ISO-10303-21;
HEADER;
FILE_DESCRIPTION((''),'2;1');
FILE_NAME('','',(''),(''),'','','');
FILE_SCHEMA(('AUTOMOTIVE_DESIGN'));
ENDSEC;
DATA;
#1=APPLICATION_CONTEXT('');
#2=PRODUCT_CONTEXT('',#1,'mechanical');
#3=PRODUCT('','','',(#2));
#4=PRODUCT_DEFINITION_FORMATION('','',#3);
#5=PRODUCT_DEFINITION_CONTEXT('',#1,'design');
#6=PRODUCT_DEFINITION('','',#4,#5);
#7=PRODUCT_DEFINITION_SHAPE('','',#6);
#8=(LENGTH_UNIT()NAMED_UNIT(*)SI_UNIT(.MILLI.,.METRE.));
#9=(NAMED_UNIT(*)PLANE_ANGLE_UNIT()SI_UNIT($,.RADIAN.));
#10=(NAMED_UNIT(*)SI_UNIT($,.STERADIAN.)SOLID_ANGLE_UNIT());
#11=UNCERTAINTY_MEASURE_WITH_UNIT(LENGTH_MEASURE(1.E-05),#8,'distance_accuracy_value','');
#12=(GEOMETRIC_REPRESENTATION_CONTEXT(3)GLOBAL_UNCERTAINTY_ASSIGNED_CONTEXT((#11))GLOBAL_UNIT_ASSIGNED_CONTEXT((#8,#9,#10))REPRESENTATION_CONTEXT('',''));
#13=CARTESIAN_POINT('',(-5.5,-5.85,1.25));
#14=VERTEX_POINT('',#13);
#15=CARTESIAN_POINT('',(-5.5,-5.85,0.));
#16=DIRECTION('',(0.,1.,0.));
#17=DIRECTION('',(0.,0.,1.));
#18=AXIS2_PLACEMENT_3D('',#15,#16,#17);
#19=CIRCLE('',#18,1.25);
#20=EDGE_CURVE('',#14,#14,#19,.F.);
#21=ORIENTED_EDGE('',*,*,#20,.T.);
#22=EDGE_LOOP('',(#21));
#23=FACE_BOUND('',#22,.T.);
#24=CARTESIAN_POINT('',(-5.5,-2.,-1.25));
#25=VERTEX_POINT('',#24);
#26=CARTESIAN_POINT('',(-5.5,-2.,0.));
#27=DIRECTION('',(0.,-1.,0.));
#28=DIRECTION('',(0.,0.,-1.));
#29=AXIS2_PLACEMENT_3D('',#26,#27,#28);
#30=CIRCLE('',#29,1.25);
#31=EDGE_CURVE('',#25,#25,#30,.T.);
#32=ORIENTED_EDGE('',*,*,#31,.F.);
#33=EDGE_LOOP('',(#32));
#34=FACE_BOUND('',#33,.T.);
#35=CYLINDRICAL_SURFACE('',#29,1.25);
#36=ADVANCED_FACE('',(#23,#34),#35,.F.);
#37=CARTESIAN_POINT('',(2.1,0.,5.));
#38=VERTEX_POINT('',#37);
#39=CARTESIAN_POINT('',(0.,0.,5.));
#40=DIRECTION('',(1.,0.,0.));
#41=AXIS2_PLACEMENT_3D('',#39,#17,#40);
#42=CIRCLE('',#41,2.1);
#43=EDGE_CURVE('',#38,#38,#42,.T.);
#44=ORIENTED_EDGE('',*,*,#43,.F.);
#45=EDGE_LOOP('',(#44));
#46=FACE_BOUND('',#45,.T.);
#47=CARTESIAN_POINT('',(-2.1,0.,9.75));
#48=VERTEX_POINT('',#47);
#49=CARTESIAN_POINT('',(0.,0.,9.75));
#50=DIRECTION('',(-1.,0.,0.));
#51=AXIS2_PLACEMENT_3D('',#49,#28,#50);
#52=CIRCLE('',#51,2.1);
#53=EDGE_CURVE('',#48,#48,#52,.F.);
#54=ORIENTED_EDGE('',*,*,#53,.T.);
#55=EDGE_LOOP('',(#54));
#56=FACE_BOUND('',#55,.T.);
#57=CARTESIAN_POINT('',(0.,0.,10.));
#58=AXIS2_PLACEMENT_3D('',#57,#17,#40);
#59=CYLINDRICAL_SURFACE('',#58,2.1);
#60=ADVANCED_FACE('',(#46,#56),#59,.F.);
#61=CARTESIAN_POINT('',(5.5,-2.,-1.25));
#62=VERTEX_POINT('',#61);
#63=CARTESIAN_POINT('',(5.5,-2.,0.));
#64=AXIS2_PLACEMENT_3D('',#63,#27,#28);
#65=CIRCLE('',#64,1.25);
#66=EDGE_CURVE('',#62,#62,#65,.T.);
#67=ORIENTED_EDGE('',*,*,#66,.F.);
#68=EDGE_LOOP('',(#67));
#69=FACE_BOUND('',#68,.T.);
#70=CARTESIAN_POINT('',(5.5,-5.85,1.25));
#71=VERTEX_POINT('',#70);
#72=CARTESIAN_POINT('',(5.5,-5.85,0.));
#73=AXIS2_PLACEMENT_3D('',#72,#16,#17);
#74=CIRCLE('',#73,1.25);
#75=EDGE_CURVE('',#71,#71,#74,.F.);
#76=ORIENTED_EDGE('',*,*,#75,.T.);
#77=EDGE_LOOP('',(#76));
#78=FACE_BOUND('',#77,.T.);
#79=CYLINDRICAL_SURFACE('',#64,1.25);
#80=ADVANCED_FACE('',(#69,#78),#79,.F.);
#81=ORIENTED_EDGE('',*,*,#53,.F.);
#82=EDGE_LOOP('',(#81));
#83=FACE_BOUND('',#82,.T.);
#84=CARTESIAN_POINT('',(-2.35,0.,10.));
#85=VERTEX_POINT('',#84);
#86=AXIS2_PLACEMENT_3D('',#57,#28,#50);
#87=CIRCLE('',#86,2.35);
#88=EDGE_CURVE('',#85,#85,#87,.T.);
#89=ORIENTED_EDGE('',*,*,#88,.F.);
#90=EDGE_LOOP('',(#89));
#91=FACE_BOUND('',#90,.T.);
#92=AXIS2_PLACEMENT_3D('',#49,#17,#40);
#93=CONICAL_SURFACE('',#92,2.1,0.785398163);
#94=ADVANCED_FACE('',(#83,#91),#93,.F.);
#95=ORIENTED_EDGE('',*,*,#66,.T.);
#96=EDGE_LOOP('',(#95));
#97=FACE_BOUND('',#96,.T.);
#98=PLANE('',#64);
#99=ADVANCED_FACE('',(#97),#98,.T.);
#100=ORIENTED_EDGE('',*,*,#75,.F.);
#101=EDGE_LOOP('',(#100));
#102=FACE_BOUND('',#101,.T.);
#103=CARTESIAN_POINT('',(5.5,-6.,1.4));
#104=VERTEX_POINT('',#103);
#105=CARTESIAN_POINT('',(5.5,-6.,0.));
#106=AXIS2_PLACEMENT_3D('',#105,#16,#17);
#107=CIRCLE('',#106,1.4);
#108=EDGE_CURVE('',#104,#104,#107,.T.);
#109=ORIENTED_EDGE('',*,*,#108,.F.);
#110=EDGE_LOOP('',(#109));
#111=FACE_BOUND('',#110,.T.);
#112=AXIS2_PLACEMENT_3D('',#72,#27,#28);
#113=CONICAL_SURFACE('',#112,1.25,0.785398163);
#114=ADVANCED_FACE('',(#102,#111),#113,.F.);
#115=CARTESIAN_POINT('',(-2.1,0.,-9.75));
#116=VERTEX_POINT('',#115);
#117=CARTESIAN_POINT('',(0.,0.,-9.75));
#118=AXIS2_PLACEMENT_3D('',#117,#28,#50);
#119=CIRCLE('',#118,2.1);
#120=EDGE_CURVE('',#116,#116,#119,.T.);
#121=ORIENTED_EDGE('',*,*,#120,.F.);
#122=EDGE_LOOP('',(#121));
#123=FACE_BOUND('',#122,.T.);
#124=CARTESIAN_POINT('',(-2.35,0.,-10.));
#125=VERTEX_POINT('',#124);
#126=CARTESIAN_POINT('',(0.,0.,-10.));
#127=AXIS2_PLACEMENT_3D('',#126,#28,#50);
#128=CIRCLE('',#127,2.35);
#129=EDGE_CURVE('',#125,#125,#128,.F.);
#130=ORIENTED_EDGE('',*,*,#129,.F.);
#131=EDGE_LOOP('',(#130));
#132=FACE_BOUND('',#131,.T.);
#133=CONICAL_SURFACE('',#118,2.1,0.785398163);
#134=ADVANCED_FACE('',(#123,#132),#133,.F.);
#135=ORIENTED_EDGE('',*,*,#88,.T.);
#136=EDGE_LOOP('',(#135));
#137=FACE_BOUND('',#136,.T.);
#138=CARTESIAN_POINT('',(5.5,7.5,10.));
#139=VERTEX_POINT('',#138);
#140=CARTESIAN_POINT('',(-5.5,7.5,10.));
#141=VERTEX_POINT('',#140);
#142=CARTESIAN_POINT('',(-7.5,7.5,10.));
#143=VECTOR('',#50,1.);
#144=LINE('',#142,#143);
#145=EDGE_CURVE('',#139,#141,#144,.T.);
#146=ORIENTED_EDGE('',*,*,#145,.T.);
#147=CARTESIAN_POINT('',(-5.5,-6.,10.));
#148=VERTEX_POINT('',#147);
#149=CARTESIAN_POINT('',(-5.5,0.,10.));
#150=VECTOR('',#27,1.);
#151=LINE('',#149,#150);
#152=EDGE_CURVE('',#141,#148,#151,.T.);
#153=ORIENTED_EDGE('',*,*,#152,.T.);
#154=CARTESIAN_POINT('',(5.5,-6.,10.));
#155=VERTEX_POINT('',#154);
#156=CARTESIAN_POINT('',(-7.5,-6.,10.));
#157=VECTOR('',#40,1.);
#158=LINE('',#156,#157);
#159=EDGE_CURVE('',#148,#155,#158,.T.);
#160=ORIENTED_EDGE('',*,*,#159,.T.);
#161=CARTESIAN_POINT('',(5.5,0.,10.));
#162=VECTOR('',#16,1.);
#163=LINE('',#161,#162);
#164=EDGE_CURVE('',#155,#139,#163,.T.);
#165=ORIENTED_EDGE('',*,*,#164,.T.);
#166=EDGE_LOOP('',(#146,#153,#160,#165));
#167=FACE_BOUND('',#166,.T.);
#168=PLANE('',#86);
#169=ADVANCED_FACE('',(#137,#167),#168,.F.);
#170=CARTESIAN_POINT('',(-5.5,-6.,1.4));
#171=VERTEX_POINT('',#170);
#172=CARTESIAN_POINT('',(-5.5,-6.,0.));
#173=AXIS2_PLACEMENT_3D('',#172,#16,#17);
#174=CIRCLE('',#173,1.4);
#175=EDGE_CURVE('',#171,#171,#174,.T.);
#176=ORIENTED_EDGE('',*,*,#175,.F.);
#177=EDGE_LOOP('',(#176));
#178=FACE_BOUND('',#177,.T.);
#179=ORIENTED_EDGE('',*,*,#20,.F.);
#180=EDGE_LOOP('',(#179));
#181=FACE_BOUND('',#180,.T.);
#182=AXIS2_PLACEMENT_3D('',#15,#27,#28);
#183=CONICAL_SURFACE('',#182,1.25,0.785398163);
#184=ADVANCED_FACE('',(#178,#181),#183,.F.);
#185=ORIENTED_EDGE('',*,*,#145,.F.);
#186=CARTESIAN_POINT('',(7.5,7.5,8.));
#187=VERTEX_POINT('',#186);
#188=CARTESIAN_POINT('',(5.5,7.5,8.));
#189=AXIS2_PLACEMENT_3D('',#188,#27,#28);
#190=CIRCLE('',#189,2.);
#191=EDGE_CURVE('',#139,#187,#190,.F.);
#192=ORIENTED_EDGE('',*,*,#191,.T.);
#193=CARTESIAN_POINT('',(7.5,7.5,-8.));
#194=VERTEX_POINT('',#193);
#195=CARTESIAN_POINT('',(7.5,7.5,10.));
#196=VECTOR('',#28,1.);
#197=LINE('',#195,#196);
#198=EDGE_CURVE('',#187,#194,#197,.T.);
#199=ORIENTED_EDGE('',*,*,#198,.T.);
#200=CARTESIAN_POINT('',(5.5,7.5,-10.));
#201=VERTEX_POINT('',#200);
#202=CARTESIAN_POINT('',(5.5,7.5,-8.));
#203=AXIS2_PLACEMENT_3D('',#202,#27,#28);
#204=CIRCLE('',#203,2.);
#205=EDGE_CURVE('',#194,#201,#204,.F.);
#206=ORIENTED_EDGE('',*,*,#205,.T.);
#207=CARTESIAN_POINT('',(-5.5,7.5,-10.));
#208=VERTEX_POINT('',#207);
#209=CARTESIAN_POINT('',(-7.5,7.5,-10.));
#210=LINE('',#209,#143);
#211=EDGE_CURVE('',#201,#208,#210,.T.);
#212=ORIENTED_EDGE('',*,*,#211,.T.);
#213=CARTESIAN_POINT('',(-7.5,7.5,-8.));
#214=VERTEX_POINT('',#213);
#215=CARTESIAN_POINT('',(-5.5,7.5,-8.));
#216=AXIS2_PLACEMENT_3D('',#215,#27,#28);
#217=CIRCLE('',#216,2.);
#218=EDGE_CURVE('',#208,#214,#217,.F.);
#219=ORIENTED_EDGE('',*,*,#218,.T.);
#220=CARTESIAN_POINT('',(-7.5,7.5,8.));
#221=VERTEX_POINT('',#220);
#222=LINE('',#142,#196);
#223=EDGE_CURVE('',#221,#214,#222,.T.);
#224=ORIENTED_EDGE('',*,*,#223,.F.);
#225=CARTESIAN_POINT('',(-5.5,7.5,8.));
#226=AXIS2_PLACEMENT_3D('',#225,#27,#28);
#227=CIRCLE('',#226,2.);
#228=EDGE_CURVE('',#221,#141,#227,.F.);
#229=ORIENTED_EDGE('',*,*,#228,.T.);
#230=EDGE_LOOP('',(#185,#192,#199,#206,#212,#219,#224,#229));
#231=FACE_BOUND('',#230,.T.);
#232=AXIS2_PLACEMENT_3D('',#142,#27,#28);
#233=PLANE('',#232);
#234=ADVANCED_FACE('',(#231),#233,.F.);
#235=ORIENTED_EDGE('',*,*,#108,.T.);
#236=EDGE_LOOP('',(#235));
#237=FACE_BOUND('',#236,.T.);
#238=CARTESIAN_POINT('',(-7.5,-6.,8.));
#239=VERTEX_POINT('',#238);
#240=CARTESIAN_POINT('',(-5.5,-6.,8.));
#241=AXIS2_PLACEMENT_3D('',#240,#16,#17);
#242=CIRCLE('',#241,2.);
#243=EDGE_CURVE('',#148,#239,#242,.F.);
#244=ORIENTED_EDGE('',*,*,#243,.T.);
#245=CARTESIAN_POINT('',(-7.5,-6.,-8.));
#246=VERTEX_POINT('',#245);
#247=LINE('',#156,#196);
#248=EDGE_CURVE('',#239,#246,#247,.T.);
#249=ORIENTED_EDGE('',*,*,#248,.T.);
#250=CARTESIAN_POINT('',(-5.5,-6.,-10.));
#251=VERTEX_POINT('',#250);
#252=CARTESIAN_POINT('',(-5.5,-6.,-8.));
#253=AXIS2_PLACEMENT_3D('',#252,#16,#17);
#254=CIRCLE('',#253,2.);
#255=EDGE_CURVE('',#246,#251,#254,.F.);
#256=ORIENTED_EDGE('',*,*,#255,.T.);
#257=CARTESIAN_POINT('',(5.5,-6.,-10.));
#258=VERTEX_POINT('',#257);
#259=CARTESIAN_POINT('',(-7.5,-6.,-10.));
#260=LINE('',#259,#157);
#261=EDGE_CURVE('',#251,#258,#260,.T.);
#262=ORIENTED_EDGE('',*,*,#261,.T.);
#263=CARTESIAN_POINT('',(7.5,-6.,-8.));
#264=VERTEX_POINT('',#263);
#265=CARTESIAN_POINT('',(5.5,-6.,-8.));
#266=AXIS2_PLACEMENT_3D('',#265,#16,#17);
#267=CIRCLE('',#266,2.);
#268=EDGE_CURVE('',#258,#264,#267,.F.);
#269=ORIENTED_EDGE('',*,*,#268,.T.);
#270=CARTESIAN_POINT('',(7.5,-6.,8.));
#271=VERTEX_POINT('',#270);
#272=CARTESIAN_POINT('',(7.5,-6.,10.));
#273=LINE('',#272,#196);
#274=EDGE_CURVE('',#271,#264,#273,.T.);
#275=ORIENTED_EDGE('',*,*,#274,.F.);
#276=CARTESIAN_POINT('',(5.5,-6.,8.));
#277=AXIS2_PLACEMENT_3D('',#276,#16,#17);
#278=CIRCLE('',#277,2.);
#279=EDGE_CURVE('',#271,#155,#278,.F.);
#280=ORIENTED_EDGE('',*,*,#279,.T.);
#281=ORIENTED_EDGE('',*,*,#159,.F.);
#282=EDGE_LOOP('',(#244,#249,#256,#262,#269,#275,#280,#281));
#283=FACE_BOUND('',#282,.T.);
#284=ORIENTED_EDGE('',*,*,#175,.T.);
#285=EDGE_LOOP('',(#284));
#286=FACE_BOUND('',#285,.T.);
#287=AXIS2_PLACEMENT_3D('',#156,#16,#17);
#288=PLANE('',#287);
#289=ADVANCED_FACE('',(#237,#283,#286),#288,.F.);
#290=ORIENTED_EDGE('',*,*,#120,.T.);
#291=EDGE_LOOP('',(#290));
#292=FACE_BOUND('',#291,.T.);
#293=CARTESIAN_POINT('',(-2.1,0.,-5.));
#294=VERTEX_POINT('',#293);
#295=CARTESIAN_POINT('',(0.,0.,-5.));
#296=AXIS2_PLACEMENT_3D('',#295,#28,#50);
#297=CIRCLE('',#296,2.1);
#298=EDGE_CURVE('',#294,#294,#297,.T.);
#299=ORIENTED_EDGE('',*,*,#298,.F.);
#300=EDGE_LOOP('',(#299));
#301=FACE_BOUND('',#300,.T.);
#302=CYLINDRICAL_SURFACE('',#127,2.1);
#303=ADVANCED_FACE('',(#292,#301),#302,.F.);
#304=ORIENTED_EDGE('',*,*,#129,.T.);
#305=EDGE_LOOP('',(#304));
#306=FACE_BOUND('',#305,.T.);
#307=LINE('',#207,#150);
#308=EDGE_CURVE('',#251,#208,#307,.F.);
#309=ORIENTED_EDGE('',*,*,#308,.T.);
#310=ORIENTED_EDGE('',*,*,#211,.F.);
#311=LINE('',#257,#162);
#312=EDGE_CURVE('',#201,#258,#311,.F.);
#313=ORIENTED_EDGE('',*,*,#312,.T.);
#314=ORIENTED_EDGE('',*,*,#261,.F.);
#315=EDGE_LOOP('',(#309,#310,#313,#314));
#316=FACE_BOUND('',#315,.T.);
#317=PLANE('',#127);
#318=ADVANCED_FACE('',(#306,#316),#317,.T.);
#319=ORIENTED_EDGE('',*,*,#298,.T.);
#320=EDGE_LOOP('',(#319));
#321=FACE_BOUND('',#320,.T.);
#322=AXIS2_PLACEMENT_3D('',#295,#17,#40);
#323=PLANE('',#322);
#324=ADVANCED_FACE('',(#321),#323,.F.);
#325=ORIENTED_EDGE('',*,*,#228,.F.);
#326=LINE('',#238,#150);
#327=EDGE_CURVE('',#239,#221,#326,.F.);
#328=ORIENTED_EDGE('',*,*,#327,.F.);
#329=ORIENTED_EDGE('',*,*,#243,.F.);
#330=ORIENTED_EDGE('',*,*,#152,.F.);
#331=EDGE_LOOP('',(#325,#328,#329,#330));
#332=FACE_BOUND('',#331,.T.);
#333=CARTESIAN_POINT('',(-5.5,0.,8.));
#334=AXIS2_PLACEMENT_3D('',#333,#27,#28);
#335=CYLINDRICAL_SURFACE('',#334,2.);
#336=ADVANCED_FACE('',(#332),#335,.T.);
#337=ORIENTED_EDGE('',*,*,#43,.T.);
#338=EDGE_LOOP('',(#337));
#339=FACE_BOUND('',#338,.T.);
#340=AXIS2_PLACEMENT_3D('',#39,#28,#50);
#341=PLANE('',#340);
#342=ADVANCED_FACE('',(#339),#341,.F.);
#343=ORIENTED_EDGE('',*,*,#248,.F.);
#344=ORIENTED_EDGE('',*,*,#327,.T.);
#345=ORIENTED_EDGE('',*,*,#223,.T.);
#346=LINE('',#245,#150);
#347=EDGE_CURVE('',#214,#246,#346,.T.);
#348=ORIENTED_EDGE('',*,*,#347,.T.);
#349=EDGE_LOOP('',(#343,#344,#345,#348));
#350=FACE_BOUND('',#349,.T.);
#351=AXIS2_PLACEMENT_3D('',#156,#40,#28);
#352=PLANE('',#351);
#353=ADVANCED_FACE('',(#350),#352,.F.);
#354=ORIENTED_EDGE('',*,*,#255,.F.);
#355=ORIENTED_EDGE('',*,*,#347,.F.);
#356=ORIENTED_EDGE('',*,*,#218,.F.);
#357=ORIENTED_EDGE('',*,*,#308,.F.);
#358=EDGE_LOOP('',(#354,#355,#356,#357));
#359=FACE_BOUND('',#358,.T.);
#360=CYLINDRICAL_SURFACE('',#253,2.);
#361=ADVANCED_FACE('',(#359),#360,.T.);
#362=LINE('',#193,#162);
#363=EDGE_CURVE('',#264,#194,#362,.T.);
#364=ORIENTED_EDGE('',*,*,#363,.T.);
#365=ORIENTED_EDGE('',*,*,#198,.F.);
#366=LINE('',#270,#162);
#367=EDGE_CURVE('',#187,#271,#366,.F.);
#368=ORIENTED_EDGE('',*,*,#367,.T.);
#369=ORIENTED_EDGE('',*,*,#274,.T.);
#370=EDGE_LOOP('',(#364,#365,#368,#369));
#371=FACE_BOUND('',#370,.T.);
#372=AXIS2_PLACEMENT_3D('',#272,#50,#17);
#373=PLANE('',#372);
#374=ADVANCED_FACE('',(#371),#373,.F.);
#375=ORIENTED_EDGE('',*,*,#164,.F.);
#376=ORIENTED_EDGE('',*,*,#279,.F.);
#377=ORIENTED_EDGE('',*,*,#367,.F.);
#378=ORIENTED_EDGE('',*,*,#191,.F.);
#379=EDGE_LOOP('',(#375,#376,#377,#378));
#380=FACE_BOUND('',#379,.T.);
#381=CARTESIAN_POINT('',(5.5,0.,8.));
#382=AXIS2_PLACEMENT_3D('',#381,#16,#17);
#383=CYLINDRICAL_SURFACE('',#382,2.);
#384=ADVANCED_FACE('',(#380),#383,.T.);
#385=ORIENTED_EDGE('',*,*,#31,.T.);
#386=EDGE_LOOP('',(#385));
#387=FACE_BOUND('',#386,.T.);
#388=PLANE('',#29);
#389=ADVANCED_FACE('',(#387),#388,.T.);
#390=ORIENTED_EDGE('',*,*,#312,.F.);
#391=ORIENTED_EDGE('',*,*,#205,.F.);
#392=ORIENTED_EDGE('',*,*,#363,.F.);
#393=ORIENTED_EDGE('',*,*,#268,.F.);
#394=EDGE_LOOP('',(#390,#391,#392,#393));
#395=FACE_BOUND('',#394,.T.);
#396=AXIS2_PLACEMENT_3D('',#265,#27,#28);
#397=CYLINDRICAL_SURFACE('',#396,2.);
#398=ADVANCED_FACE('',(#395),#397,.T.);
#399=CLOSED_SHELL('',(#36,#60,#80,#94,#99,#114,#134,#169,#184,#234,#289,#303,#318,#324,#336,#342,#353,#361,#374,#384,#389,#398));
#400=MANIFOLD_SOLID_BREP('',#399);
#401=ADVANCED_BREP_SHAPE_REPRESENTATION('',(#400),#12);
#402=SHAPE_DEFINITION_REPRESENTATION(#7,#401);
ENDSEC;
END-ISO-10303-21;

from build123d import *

# Parameters (mm, degrees)
SKETCH1_W                = 15
SKETCH1_H                = 13.5
BOSS_EXTRUDE1_DEPTH      = 10
FILLET1_R                = 2
M5_PORTS_D               = 4.2
M5_PORTS_DEPTH           = 5
M5_PORTS_ON_FACE_2_D     = 4.2
M5_PORTS_ON_FACE_2_DEPTH = 5
M5_PORT_CHAMFER_SIZE     = 0.25
SKETCH3_R                = 1.25
CUT_EXTRUDE1_DEPTH       = 4
CHAMFER2_SIZE            = 0.15


with BuildPart() as part:
    # Sketch1 → Boss-Extrude1 (new, symmetric)
    with BuildSketch(Plane.XY):
        with Locations((0, 0.75)):
            Rectangle(SKETCH1_W, SKETCH1_H)
    extrude(amount=BOSS_EXTRUDE1_DEPTH, both=True)

    # Fillet1
    fillet1_edges = [part.edges().sort_by_distance(p)[0] for p in [
        (-7.5, 0.75, -10),
        (7.5, 0.75, -10),
        (7.5, 0.75, 10),
        (-7.5, 0.75, 10),
    ]]
    fillet(fillet1_edges, radius=FILLET1_R)

    # M5 Ports
    with Locations(Plane.XY.offset(10)):
        with Locations((0, 0)):
            Hole(M5_PORTS_D / 2, depth=M5_PORTS_DEPTH)

    # M5 Ports on face 2
    with Locations(Plane(origin=(0, 0, -10), x_dir=(-1, 0, 0), z_dir=(0, 0, -1))):
        with Locations((0, 0)):
            Hole(M5_PORTS_ON_FACE_2_D / 2, depth=M5_PORTS_ON_FACE_2_DEPTH)

    # M5 Port Chamfer
    m5_port_chamfer_edges = [part.edges().sort_by_distance(p)[0] for p in [
        (-2.1, 0, -10),
        (2.1, 0, 10),
    ]]
    chamfer(m5_port_chamfer_edges, length=M5_PORT_CHAMFER_SIZE)

    # Sketch3 → Cut-Extrude1 (cut)
    with BuildSketch(Plane.XZ.offset(6)):
        with Locations((-5.5, 0)):
            Circle(SKETCH3_R)
        with Locations((5.5, 0)):
            Circle(SKETCH3_R)
    extrude(amount=-CUT_EXTRUDE1_DEPTH, mode=Mode.SUBTRACT)

    # Chamfer2
    chamfer2_edges = [part.edges().sort_by_distance(p)[0] for p in [
        (4.25, -6, 0),
        (-6.75, -6, 0),
    ]]
    chamfer(chamfer2_edges, length=CHAMFER2_SIZE)


solid = part.part
